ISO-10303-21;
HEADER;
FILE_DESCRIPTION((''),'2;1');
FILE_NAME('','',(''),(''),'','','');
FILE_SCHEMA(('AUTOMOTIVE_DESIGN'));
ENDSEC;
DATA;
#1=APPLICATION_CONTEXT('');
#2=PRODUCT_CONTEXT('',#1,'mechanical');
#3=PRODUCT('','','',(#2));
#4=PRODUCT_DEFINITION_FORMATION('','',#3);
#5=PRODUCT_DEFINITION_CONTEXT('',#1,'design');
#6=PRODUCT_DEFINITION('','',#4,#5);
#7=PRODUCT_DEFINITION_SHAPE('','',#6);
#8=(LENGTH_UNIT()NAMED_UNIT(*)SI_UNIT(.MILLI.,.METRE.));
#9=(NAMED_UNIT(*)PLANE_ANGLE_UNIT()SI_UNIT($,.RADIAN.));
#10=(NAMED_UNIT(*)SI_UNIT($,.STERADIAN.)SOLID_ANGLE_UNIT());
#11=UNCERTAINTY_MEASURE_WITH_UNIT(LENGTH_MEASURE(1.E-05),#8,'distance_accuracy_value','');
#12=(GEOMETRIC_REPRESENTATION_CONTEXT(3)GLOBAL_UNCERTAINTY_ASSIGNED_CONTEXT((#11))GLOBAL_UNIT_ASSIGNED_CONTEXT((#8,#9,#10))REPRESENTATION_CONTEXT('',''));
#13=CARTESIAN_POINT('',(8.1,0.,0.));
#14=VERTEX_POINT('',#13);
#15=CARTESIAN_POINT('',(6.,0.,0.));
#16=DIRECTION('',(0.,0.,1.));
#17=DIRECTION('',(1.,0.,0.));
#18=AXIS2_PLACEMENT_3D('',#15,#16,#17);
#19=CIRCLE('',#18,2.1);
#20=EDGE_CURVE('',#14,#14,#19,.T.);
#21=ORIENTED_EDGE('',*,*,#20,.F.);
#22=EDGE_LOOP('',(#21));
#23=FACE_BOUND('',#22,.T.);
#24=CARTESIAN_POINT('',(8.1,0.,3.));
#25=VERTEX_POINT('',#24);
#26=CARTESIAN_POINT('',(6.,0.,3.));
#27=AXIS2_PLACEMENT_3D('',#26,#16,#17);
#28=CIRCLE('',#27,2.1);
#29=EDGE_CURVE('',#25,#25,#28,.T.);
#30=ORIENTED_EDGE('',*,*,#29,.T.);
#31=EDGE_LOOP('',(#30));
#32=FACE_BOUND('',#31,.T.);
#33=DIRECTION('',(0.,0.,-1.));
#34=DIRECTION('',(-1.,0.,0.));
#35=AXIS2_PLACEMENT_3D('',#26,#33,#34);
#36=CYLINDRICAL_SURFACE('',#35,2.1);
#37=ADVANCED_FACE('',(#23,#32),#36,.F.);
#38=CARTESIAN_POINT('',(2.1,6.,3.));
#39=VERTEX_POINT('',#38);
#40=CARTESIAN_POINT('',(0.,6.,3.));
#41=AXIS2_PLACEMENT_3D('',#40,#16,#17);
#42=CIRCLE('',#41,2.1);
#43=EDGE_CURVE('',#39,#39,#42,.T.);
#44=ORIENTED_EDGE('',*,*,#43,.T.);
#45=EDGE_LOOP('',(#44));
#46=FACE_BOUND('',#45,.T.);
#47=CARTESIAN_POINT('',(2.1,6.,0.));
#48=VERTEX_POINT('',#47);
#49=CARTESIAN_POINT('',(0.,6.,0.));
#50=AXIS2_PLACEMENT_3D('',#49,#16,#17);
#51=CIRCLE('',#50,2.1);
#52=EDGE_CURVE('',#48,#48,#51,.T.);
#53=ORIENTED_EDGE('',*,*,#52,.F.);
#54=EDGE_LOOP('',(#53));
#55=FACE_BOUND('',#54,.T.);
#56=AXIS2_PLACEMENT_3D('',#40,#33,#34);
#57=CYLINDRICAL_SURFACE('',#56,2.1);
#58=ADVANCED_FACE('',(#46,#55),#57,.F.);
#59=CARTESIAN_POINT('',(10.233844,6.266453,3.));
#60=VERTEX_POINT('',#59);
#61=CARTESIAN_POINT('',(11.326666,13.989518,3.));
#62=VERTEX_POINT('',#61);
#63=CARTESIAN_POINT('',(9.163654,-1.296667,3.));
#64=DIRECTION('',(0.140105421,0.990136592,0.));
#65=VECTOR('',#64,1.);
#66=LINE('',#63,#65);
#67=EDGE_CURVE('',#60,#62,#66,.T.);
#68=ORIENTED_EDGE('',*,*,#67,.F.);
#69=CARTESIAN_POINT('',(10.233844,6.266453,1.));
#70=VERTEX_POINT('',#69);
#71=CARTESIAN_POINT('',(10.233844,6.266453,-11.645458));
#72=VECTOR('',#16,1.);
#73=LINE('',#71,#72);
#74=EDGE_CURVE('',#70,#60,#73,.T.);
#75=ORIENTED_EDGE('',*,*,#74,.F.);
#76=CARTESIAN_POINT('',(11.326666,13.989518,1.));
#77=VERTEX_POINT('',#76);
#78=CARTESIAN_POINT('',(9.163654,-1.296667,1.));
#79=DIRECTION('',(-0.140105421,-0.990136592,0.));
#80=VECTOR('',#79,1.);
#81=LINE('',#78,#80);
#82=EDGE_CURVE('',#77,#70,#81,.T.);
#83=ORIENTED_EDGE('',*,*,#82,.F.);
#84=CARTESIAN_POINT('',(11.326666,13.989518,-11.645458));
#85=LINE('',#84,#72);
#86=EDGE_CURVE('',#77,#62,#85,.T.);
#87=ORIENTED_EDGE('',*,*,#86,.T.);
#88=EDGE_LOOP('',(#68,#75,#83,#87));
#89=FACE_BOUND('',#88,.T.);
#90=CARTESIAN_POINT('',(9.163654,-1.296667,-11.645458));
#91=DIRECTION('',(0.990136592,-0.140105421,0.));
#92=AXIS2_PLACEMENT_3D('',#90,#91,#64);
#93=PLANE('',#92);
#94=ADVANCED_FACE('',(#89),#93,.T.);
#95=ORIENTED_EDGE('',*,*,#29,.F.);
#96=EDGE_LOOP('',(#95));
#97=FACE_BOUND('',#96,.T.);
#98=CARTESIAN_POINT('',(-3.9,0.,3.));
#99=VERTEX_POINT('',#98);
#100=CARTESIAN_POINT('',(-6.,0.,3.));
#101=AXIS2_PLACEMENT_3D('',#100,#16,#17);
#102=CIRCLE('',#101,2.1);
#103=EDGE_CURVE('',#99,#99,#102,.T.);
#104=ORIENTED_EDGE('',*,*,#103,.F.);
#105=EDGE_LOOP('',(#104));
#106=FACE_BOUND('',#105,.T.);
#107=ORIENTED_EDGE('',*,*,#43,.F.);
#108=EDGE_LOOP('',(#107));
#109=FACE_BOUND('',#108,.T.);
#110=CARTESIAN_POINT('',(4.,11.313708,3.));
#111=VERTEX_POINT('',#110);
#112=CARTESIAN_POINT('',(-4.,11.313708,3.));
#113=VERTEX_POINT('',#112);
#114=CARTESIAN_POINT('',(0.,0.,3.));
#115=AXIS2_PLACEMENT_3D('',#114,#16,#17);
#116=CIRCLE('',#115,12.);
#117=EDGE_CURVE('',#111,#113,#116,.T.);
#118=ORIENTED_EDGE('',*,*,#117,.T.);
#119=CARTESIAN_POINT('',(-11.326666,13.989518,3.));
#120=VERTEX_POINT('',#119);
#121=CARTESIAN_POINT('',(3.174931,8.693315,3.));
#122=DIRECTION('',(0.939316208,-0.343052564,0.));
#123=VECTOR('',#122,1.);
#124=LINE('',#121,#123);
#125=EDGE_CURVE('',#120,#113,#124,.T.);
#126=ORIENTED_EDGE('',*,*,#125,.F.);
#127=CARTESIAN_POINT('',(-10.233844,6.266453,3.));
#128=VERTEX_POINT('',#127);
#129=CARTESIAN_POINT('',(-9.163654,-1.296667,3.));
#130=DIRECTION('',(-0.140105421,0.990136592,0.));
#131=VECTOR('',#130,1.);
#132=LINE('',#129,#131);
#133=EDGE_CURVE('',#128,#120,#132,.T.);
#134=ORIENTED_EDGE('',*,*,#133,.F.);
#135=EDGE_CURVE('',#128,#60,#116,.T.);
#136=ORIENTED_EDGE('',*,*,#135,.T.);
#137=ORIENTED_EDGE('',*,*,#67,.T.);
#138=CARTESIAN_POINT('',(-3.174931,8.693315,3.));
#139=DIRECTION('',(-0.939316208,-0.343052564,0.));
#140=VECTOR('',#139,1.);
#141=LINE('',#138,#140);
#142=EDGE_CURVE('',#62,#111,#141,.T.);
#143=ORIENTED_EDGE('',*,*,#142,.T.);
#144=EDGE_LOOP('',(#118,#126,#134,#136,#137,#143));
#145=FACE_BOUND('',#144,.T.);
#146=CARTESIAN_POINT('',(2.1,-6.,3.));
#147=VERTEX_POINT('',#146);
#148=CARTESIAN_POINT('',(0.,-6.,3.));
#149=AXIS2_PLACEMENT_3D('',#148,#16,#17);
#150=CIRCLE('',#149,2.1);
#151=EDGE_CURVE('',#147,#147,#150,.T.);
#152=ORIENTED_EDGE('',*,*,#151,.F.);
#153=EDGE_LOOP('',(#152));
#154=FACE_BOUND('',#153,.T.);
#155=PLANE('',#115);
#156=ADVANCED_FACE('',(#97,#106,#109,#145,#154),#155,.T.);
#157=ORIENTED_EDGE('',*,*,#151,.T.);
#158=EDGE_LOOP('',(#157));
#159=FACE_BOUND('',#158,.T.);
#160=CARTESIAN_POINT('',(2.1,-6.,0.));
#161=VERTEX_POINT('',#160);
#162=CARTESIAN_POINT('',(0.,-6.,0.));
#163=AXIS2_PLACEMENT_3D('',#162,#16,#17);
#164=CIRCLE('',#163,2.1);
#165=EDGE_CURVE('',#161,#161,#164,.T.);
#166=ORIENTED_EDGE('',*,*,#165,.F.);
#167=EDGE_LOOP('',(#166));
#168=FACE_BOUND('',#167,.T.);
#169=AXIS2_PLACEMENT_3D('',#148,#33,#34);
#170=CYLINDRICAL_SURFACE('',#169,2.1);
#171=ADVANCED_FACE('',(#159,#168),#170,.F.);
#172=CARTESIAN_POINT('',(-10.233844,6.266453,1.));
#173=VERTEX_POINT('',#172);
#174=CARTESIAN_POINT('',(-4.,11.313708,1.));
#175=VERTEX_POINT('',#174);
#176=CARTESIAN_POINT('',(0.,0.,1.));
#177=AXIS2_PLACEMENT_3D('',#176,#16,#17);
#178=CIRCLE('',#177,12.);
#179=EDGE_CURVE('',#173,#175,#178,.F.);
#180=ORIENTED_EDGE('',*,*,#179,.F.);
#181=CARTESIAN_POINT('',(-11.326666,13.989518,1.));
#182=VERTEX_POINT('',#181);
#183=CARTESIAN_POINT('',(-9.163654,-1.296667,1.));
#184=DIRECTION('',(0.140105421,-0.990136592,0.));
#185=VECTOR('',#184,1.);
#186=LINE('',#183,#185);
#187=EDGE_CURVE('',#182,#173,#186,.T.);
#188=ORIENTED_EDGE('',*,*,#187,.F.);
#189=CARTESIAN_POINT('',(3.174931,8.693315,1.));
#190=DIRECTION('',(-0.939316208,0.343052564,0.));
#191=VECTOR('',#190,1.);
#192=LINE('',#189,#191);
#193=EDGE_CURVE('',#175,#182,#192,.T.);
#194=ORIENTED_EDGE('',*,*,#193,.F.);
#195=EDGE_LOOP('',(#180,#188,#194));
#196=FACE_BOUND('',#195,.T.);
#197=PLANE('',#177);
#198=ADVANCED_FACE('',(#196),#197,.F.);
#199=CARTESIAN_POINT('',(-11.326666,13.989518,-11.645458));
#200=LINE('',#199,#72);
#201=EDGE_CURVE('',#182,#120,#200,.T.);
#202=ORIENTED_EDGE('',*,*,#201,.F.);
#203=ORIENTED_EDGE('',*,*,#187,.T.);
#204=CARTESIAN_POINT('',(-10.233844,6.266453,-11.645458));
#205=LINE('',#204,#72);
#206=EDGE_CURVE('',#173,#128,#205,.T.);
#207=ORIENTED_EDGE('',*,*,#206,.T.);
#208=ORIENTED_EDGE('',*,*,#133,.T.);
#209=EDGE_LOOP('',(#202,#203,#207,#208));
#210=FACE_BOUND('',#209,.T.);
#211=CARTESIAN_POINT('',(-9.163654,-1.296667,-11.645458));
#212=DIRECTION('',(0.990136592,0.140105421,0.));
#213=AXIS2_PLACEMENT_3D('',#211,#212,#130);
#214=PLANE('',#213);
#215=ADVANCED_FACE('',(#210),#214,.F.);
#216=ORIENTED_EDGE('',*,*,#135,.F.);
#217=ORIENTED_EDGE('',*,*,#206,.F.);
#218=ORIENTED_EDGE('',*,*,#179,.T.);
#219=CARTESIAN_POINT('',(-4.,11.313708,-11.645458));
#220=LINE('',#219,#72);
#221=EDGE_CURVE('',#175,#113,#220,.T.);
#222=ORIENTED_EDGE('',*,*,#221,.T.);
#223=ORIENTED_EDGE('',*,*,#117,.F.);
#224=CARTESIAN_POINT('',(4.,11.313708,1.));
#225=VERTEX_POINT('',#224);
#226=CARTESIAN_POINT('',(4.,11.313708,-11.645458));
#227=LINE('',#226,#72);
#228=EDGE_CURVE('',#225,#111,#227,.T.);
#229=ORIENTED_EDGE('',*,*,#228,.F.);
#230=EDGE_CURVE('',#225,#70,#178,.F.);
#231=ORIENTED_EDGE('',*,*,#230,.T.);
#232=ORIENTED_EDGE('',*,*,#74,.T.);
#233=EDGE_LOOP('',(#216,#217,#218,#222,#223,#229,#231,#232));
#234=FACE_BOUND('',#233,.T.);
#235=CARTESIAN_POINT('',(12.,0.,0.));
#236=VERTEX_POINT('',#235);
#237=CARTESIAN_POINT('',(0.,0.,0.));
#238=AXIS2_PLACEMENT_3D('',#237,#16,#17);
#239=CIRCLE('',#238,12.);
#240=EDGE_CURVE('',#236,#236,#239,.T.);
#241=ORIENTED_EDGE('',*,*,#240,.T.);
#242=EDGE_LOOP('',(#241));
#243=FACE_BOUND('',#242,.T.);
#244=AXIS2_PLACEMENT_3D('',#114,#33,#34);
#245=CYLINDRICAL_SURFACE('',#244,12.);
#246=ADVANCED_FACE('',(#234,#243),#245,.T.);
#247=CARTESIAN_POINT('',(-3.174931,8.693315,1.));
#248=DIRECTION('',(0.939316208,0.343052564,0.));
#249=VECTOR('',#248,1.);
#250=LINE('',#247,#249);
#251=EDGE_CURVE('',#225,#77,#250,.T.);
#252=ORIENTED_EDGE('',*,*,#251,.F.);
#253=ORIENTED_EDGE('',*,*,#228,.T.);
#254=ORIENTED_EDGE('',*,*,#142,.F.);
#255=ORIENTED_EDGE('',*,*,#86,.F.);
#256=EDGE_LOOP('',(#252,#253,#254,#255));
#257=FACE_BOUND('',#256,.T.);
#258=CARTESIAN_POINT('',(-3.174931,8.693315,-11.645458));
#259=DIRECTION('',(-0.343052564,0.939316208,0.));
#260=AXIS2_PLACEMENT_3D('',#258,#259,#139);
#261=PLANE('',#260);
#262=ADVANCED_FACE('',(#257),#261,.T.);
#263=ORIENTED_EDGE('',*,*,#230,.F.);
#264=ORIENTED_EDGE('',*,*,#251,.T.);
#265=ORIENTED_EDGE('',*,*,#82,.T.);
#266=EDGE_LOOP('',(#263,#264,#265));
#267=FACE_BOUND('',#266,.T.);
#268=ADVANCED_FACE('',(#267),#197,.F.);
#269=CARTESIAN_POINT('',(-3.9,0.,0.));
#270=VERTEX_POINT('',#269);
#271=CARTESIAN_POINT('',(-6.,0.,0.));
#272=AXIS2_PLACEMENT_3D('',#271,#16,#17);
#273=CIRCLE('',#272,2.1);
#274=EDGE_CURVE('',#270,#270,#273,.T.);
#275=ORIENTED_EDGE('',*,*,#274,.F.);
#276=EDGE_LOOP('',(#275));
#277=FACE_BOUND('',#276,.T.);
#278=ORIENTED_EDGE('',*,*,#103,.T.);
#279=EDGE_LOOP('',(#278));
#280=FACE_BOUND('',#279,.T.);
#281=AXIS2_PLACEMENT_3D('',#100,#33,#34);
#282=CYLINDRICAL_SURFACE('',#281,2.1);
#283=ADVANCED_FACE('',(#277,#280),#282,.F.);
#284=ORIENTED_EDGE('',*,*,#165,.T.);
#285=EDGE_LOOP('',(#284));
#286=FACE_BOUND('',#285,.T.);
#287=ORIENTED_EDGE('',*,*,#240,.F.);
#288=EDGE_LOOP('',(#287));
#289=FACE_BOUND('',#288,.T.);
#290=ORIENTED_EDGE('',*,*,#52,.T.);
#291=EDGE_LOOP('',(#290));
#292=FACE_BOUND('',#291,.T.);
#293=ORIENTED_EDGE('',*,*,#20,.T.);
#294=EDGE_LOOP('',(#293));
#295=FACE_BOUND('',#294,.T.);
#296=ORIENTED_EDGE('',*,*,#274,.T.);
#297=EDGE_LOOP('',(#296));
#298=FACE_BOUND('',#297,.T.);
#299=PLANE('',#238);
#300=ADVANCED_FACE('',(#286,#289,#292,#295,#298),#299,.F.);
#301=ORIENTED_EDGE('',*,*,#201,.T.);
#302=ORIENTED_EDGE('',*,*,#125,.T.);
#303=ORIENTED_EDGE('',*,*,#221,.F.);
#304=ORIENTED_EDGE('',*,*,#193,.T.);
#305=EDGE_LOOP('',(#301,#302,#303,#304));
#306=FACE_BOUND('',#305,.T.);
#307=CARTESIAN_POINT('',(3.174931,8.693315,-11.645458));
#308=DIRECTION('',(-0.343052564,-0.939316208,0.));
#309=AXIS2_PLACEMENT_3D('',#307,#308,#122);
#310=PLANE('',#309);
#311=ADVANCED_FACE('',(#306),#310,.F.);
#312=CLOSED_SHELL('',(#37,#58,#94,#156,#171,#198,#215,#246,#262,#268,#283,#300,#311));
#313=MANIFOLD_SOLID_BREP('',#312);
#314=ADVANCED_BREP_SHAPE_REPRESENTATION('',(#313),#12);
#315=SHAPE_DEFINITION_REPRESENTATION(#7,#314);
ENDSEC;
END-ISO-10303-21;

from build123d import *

# Parameters (mm, degrees)
SKETCH_1_R      = 12
SKETCH_1_R_2    = 2.1
EXTRUDE_1_DEPTH = 3
EXTRUDE_START   = -2
EXTRUDE_2_DEPTH = 2


with BuildPart() as part:
    # 草图1 → 凸台-拉伸1 (new body)
    with BuildSketch(Plane.XY):
        Circle(SKETCH_1_R)
        with Locations((0, 6)):
            Circle(SKETCH_1_R_2, mode=Mode.SUBTRACT)
        with Locations((6, 0)):
            Circle(SKETCH_1_R_2, mode=Mode.SUBTRACT)
        with Locations((0, -6)):
            Circle(SKETCH_1_R_2, mode=Mode.SUBTRACT)
        with Locations((-6, 0)):
            Circle(SKETCH_1_R_2, mode=Mode.SUBTRACT)
    extrude(amount=EXTRUDE_1_DEPTH)

    # 草图2 → 凸台-拉伸2 (add)
    with BuildSketch(Plane.XY.offset(3).offset(EXTRUDE_START)):
        with BuildLine():
            Line((-11.326666422, 13.989518497), (-10.233844137, 6.266453079))
            ThreePointArc((-10.233844137, 6.266453079), (-7.551110948, 9.326345664), (-4, 11.313708499))
            Line((-4, 11.313708499), (-11.326666422, 13.989518497))
        make_face()
        with BuildLine():
            Line((11.326666422, 13.989518497), (4, 11.313708499))
            ThreePointArc((4, 11.313708499), (7.551110948, 9.326345664), (10.233844137, 6.266453079))
            Line((10.233844137, 6.266453079), (11.326666422, 13.989518497))
        make_face()
    extrude(amount=EXTRUDE_2_DEPTH)


solid = part.part
